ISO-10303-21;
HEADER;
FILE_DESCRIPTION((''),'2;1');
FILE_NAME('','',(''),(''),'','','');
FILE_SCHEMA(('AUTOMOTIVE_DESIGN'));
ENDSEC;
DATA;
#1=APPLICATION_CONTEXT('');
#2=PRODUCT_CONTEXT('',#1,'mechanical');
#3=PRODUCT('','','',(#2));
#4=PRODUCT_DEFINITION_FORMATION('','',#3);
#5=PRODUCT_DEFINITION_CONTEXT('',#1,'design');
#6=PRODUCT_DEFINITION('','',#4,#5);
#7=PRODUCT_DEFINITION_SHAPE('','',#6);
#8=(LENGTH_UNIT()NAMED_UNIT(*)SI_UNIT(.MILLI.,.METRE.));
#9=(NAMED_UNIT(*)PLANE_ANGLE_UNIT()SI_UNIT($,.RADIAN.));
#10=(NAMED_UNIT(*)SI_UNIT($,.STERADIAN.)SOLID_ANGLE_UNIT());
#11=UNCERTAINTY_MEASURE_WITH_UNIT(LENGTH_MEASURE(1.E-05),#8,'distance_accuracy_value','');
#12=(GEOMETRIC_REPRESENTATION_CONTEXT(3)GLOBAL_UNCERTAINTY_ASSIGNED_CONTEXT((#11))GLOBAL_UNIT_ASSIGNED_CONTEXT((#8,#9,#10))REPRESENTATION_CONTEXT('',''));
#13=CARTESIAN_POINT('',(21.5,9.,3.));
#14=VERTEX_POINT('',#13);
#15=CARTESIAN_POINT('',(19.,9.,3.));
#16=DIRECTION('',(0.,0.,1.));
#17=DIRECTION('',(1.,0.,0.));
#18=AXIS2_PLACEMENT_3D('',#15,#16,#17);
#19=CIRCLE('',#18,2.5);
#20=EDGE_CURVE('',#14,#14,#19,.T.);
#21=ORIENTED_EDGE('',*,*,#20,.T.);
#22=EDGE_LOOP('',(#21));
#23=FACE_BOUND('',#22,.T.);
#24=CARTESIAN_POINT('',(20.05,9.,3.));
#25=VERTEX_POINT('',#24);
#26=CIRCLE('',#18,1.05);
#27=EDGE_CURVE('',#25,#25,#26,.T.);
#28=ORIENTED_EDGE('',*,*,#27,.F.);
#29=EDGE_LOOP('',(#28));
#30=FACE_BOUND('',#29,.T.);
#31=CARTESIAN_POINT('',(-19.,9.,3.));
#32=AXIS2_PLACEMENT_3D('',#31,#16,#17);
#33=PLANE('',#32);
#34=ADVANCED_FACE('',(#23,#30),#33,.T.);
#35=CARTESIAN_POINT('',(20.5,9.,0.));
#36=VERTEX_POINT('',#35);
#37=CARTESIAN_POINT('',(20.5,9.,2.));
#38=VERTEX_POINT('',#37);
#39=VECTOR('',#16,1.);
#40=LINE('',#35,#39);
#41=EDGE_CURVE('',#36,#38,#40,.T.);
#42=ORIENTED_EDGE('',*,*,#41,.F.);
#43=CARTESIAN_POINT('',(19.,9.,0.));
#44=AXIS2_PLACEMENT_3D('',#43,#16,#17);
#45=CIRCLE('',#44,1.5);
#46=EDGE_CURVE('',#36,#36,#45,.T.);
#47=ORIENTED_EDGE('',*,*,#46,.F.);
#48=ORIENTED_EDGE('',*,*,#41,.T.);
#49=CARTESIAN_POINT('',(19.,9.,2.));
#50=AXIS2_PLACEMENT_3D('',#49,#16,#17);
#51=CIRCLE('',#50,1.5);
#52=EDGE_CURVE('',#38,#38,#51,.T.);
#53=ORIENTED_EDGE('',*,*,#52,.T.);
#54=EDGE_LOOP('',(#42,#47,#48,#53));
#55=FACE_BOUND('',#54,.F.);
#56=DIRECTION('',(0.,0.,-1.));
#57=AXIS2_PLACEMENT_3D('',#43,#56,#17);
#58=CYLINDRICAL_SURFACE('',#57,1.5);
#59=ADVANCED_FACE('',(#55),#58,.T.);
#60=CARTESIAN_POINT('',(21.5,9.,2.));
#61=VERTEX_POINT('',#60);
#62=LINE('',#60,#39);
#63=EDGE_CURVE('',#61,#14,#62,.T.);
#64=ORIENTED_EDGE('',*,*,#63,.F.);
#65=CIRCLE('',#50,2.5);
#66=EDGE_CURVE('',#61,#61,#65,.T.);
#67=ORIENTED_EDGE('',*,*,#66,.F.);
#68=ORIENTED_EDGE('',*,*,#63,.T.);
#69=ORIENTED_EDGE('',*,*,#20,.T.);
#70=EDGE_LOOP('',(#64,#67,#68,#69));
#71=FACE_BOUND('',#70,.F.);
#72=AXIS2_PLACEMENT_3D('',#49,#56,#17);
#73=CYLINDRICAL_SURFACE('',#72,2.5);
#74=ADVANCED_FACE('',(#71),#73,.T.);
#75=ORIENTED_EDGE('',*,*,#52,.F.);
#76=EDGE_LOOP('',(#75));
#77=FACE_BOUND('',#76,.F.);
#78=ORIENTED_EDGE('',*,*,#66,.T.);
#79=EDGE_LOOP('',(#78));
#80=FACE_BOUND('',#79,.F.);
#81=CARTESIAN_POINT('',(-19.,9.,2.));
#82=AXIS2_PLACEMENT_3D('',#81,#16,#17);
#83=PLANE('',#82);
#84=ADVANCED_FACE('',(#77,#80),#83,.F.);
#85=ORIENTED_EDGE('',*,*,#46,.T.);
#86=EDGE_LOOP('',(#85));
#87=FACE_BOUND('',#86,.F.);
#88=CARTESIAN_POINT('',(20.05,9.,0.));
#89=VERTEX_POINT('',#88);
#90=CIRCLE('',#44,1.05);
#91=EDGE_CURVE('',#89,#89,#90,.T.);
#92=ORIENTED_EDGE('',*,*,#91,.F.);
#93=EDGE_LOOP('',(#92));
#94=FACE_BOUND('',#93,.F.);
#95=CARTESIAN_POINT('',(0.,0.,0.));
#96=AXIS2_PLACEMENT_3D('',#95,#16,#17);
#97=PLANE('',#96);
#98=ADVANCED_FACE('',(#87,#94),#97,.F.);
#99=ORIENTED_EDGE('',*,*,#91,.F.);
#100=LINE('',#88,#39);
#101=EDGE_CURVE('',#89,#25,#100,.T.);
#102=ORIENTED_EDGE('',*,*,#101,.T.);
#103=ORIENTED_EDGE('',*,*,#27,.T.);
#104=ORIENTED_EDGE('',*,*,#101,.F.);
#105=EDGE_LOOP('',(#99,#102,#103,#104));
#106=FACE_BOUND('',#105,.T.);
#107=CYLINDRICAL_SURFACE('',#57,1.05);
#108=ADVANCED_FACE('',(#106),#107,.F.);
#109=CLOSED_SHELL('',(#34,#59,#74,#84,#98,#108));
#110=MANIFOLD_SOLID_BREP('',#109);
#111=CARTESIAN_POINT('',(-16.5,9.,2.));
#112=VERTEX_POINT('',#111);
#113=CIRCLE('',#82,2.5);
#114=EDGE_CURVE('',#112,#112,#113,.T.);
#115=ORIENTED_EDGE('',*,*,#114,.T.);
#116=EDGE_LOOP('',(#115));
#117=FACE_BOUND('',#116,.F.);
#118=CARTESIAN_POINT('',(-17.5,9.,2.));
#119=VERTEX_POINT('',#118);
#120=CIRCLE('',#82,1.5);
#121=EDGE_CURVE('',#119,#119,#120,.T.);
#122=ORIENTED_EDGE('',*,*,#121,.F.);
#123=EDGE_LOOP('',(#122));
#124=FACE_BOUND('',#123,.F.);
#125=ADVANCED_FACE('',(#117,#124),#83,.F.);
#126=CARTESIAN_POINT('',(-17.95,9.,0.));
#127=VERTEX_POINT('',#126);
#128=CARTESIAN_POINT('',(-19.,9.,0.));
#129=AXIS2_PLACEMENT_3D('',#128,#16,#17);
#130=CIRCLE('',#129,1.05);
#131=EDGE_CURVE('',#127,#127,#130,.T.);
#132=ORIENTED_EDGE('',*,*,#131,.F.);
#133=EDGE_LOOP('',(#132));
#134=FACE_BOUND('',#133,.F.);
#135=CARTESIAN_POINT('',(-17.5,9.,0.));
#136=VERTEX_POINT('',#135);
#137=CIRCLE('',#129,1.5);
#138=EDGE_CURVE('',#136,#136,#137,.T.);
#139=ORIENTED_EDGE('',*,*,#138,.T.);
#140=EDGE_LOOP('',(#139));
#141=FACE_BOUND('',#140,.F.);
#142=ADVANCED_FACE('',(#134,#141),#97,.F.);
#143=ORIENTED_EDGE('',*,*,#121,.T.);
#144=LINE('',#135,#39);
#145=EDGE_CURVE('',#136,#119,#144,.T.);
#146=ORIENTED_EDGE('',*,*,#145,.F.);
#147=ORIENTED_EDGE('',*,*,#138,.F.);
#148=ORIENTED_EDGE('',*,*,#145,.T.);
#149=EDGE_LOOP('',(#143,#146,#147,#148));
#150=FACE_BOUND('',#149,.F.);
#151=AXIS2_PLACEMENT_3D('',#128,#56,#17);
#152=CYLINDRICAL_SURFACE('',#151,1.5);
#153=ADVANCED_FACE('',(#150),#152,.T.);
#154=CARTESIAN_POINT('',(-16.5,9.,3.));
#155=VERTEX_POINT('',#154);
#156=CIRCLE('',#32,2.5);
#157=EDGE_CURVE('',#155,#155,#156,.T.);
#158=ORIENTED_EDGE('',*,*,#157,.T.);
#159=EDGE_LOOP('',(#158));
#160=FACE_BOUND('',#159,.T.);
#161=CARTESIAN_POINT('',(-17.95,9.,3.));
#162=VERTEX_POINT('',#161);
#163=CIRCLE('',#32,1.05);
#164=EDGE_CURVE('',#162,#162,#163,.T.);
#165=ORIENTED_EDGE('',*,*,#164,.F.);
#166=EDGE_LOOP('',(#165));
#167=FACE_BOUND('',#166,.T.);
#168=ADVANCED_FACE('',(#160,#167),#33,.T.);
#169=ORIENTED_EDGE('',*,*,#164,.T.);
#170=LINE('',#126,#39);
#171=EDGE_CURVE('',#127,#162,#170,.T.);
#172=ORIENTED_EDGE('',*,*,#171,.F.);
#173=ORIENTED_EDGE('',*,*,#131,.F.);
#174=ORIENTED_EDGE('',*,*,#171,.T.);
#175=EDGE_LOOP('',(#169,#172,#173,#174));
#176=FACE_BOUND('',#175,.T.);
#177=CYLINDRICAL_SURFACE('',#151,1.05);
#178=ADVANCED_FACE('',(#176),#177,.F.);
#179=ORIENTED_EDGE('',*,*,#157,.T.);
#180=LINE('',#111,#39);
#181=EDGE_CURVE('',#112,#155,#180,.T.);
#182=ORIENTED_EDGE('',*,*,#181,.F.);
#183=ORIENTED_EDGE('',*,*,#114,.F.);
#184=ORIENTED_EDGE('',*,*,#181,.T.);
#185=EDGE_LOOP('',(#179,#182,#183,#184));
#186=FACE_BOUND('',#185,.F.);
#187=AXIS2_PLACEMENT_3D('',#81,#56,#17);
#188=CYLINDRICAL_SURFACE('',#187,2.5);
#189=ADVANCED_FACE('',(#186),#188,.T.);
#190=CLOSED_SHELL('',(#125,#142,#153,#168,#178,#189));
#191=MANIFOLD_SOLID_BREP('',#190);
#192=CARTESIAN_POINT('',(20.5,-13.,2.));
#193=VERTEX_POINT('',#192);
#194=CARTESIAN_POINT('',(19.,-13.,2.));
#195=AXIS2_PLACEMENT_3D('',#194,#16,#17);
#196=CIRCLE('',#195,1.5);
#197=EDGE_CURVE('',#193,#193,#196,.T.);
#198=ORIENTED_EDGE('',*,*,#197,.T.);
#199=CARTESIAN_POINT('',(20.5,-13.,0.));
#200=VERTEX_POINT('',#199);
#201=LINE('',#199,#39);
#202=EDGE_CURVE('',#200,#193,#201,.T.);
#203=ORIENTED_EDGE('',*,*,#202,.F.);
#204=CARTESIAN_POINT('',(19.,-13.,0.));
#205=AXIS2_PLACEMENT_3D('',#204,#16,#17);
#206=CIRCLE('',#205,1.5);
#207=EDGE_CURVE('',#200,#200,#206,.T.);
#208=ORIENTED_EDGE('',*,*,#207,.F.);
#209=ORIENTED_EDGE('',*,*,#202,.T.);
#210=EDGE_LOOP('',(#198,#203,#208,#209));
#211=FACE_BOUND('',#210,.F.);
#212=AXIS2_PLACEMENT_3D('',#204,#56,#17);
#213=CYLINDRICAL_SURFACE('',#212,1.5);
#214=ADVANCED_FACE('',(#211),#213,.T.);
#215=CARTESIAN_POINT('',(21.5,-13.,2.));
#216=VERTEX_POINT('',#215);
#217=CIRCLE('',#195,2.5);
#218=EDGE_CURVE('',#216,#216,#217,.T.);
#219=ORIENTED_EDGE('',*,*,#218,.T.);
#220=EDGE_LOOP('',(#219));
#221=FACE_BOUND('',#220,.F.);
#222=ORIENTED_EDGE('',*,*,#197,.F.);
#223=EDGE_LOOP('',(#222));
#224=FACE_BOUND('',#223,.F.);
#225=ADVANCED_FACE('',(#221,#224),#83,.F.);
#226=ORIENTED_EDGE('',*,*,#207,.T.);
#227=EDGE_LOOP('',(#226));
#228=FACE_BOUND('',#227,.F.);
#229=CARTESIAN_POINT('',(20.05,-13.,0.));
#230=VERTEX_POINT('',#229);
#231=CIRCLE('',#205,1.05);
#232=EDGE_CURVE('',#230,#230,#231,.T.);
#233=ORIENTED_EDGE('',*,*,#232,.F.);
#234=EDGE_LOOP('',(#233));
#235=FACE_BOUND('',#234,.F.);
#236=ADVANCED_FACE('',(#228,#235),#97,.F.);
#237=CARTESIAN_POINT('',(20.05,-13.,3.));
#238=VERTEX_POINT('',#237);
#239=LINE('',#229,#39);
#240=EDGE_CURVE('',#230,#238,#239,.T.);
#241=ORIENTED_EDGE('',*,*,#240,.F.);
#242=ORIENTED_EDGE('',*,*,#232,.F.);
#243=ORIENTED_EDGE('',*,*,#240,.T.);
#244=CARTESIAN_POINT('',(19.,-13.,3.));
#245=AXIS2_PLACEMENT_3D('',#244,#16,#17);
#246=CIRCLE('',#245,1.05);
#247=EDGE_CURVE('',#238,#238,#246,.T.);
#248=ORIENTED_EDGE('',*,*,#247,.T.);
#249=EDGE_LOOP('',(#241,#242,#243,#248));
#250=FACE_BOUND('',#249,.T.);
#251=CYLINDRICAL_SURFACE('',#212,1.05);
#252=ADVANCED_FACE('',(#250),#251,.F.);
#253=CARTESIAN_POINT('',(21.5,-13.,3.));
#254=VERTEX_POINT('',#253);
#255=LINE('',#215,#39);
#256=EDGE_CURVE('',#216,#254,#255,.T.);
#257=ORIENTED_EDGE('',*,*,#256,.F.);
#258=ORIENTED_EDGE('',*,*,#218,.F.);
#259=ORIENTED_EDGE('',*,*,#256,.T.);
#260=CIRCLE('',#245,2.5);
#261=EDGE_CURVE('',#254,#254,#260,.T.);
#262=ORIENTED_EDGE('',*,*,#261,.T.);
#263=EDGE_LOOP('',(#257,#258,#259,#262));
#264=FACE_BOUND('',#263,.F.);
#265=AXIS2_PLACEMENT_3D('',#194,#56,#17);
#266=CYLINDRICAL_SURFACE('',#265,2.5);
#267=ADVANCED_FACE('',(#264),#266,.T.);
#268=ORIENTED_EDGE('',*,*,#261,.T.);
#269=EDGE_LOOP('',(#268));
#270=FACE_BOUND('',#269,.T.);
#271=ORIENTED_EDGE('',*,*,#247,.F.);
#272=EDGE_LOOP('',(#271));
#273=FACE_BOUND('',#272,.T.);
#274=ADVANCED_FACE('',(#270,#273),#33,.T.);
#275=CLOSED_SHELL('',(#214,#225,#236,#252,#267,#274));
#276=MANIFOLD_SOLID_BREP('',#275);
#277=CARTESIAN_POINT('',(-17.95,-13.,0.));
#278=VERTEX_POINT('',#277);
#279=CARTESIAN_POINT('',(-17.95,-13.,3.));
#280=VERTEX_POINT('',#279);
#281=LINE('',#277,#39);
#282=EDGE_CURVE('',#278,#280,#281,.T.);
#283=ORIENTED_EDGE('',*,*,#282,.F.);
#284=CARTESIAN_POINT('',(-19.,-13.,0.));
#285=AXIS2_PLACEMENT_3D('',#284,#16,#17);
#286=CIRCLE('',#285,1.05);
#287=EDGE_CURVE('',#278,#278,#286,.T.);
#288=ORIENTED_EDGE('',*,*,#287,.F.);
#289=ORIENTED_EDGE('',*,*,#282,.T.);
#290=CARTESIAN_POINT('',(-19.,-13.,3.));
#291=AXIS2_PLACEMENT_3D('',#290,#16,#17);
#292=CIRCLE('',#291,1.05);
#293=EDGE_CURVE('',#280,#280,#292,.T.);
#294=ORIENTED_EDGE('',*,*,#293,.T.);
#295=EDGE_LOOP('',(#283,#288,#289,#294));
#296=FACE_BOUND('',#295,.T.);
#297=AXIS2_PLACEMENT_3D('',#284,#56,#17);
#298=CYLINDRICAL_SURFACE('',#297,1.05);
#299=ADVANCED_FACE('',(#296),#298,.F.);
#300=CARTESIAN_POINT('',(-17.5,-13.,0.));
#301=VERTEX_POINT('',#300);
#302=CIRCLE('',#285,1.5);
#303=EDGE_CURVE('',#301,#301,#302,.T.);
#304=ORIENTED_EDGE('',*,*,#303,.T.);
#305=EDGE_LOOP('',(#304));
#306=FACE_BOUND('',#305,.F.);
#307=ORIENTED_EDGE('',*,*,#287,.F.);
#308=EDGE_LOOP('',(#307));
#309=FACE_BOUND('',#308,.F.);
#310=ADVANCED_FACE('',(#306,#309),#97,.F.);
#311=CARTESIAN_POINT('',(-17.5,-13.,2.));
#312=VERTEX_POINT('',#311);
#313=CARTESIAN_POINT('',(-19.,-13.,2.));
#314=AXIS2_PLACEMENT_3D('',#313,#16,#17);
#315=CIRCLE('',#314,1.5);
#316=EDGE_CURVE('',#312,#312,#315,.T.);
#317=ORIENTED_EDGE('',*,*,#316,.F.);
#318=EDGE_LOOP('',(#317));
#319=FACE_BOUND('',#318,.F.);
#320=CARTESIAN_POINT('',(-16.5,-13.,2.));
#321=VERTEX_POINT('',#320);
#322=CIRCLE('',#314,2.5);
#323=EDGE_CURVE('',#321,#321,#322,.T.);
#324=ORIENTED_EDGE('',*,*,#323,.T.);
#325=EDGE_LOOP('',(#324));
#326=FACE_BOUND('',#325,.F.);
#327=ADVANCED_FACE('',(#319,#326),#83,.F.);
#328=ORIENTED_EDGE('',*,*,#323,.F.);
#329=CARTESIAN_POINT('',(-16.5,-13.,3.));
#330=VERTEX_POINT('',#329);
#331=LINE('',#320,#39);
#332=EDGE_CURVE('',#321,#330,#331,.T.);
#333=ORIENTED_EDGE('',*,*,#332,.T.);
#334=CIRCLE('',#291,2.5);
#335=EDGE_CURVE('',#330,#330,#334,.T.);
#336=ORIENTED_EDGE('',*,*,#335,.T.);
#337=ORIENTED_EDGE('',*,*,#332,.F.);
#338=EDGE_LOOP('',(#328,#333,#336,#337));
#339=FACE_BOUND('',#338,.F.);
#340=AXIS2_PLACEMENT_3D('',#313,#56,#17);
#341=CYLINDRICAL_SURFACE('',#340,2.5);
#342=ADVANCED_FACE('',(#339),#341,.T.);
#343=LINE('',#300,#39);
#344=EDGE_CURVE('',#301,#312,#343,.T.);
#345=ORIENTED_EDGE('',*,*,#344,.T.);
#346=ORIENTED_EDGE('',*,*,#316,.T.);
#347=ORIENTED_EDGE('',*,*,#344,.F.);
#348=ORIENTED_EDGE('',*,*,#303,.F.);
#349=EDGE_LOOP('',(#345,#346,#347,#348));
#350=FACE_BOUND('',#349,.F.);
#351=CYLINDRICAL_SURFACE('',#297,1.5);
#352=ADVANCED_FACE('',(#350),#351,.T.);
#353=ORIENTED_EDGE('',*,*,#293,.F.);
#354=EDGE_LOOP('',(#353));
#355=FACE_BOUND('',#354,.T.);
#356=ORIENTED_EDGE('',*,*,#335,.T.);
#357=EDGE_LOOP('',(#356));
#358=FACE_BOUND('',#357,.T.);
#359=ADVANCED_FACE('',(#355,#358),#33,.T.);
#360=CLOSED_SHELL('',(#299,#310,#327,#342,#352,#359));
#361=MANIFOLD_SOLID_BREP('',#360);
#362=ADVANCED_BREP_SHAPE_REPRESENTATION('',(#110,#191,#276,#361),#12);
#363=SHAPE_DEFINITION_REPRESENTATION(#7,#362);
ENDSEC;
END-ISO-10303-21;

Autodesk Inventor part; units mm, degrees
ref_plane "YZ Plane" through (0, 0, 0) normal (1, 0, 0) x (0, 1, 0)
ref_plane "XZ Plane" through (0, 0, 0) normal (0, 1, 0) x (-1, 0, 0)
ref_plane "XY Plane" through (0, 0, 0) normal (0, 0, 1) x (1, 0, 0)
sketch "スケッチ1" plane through (0, 0, 0) normal (0, 0, 1) x (1, 0, 0)
  circle A0 centre (-19, 9) radius 1.05
  circle A1 centre (19, 9) radius 1.05
  circle A2 centre (-19, -13) radius 1.05
  circle A3 centre (19, -13) radius 1.05
  circle A4 centre (-19, 9) radius 1.5
  circle A5 centre (-19, -13) radius 1.5
  circle A6 centre (19, -13) radius 1.5
  circle A7 centre (19, 9) radius 1.5
  circle A8 centre (-19, 9) radius 0.8 construction
  circle A9 centre (-19, -13) radius 0.8 construction
  line L0 (0, 0) -> (0, 11.6821) construction
  dimension "d0" = 2.1
  dimension "d3" = 3
extrude "押し出し1" add sketch "スケッチ1" along normal blind 2
sketch "スケッチ2" plane through (-19, 9, 2) normal (0, 0, 1) x (1, 0, 0)
  circle A0 centre (0, 0) radius 1.05 projected
  circle A1 centre (0, -22) radius 1.05 projected
  circle A2 centre (38, -22) radius 1.05 projected
  circle A3 centre (38, 0) radius 1.05 projected
  circle A4 centre (0, 0) radius 1.05 projected
  circle A5 centre (0, 0) radius 2.5
  circle A6 centre (0, -22) radius 2.5
  circle A7 centre (38, -22) radius 2.5
  circle A8 centre (38, 0) radius 2.5
  point P0 (19, -9)
  dimension "d4" = 5
extrude "押し出し2" add sketch "スケッチ2" along normal blind 1
properties part number "battery_lib_hook"
